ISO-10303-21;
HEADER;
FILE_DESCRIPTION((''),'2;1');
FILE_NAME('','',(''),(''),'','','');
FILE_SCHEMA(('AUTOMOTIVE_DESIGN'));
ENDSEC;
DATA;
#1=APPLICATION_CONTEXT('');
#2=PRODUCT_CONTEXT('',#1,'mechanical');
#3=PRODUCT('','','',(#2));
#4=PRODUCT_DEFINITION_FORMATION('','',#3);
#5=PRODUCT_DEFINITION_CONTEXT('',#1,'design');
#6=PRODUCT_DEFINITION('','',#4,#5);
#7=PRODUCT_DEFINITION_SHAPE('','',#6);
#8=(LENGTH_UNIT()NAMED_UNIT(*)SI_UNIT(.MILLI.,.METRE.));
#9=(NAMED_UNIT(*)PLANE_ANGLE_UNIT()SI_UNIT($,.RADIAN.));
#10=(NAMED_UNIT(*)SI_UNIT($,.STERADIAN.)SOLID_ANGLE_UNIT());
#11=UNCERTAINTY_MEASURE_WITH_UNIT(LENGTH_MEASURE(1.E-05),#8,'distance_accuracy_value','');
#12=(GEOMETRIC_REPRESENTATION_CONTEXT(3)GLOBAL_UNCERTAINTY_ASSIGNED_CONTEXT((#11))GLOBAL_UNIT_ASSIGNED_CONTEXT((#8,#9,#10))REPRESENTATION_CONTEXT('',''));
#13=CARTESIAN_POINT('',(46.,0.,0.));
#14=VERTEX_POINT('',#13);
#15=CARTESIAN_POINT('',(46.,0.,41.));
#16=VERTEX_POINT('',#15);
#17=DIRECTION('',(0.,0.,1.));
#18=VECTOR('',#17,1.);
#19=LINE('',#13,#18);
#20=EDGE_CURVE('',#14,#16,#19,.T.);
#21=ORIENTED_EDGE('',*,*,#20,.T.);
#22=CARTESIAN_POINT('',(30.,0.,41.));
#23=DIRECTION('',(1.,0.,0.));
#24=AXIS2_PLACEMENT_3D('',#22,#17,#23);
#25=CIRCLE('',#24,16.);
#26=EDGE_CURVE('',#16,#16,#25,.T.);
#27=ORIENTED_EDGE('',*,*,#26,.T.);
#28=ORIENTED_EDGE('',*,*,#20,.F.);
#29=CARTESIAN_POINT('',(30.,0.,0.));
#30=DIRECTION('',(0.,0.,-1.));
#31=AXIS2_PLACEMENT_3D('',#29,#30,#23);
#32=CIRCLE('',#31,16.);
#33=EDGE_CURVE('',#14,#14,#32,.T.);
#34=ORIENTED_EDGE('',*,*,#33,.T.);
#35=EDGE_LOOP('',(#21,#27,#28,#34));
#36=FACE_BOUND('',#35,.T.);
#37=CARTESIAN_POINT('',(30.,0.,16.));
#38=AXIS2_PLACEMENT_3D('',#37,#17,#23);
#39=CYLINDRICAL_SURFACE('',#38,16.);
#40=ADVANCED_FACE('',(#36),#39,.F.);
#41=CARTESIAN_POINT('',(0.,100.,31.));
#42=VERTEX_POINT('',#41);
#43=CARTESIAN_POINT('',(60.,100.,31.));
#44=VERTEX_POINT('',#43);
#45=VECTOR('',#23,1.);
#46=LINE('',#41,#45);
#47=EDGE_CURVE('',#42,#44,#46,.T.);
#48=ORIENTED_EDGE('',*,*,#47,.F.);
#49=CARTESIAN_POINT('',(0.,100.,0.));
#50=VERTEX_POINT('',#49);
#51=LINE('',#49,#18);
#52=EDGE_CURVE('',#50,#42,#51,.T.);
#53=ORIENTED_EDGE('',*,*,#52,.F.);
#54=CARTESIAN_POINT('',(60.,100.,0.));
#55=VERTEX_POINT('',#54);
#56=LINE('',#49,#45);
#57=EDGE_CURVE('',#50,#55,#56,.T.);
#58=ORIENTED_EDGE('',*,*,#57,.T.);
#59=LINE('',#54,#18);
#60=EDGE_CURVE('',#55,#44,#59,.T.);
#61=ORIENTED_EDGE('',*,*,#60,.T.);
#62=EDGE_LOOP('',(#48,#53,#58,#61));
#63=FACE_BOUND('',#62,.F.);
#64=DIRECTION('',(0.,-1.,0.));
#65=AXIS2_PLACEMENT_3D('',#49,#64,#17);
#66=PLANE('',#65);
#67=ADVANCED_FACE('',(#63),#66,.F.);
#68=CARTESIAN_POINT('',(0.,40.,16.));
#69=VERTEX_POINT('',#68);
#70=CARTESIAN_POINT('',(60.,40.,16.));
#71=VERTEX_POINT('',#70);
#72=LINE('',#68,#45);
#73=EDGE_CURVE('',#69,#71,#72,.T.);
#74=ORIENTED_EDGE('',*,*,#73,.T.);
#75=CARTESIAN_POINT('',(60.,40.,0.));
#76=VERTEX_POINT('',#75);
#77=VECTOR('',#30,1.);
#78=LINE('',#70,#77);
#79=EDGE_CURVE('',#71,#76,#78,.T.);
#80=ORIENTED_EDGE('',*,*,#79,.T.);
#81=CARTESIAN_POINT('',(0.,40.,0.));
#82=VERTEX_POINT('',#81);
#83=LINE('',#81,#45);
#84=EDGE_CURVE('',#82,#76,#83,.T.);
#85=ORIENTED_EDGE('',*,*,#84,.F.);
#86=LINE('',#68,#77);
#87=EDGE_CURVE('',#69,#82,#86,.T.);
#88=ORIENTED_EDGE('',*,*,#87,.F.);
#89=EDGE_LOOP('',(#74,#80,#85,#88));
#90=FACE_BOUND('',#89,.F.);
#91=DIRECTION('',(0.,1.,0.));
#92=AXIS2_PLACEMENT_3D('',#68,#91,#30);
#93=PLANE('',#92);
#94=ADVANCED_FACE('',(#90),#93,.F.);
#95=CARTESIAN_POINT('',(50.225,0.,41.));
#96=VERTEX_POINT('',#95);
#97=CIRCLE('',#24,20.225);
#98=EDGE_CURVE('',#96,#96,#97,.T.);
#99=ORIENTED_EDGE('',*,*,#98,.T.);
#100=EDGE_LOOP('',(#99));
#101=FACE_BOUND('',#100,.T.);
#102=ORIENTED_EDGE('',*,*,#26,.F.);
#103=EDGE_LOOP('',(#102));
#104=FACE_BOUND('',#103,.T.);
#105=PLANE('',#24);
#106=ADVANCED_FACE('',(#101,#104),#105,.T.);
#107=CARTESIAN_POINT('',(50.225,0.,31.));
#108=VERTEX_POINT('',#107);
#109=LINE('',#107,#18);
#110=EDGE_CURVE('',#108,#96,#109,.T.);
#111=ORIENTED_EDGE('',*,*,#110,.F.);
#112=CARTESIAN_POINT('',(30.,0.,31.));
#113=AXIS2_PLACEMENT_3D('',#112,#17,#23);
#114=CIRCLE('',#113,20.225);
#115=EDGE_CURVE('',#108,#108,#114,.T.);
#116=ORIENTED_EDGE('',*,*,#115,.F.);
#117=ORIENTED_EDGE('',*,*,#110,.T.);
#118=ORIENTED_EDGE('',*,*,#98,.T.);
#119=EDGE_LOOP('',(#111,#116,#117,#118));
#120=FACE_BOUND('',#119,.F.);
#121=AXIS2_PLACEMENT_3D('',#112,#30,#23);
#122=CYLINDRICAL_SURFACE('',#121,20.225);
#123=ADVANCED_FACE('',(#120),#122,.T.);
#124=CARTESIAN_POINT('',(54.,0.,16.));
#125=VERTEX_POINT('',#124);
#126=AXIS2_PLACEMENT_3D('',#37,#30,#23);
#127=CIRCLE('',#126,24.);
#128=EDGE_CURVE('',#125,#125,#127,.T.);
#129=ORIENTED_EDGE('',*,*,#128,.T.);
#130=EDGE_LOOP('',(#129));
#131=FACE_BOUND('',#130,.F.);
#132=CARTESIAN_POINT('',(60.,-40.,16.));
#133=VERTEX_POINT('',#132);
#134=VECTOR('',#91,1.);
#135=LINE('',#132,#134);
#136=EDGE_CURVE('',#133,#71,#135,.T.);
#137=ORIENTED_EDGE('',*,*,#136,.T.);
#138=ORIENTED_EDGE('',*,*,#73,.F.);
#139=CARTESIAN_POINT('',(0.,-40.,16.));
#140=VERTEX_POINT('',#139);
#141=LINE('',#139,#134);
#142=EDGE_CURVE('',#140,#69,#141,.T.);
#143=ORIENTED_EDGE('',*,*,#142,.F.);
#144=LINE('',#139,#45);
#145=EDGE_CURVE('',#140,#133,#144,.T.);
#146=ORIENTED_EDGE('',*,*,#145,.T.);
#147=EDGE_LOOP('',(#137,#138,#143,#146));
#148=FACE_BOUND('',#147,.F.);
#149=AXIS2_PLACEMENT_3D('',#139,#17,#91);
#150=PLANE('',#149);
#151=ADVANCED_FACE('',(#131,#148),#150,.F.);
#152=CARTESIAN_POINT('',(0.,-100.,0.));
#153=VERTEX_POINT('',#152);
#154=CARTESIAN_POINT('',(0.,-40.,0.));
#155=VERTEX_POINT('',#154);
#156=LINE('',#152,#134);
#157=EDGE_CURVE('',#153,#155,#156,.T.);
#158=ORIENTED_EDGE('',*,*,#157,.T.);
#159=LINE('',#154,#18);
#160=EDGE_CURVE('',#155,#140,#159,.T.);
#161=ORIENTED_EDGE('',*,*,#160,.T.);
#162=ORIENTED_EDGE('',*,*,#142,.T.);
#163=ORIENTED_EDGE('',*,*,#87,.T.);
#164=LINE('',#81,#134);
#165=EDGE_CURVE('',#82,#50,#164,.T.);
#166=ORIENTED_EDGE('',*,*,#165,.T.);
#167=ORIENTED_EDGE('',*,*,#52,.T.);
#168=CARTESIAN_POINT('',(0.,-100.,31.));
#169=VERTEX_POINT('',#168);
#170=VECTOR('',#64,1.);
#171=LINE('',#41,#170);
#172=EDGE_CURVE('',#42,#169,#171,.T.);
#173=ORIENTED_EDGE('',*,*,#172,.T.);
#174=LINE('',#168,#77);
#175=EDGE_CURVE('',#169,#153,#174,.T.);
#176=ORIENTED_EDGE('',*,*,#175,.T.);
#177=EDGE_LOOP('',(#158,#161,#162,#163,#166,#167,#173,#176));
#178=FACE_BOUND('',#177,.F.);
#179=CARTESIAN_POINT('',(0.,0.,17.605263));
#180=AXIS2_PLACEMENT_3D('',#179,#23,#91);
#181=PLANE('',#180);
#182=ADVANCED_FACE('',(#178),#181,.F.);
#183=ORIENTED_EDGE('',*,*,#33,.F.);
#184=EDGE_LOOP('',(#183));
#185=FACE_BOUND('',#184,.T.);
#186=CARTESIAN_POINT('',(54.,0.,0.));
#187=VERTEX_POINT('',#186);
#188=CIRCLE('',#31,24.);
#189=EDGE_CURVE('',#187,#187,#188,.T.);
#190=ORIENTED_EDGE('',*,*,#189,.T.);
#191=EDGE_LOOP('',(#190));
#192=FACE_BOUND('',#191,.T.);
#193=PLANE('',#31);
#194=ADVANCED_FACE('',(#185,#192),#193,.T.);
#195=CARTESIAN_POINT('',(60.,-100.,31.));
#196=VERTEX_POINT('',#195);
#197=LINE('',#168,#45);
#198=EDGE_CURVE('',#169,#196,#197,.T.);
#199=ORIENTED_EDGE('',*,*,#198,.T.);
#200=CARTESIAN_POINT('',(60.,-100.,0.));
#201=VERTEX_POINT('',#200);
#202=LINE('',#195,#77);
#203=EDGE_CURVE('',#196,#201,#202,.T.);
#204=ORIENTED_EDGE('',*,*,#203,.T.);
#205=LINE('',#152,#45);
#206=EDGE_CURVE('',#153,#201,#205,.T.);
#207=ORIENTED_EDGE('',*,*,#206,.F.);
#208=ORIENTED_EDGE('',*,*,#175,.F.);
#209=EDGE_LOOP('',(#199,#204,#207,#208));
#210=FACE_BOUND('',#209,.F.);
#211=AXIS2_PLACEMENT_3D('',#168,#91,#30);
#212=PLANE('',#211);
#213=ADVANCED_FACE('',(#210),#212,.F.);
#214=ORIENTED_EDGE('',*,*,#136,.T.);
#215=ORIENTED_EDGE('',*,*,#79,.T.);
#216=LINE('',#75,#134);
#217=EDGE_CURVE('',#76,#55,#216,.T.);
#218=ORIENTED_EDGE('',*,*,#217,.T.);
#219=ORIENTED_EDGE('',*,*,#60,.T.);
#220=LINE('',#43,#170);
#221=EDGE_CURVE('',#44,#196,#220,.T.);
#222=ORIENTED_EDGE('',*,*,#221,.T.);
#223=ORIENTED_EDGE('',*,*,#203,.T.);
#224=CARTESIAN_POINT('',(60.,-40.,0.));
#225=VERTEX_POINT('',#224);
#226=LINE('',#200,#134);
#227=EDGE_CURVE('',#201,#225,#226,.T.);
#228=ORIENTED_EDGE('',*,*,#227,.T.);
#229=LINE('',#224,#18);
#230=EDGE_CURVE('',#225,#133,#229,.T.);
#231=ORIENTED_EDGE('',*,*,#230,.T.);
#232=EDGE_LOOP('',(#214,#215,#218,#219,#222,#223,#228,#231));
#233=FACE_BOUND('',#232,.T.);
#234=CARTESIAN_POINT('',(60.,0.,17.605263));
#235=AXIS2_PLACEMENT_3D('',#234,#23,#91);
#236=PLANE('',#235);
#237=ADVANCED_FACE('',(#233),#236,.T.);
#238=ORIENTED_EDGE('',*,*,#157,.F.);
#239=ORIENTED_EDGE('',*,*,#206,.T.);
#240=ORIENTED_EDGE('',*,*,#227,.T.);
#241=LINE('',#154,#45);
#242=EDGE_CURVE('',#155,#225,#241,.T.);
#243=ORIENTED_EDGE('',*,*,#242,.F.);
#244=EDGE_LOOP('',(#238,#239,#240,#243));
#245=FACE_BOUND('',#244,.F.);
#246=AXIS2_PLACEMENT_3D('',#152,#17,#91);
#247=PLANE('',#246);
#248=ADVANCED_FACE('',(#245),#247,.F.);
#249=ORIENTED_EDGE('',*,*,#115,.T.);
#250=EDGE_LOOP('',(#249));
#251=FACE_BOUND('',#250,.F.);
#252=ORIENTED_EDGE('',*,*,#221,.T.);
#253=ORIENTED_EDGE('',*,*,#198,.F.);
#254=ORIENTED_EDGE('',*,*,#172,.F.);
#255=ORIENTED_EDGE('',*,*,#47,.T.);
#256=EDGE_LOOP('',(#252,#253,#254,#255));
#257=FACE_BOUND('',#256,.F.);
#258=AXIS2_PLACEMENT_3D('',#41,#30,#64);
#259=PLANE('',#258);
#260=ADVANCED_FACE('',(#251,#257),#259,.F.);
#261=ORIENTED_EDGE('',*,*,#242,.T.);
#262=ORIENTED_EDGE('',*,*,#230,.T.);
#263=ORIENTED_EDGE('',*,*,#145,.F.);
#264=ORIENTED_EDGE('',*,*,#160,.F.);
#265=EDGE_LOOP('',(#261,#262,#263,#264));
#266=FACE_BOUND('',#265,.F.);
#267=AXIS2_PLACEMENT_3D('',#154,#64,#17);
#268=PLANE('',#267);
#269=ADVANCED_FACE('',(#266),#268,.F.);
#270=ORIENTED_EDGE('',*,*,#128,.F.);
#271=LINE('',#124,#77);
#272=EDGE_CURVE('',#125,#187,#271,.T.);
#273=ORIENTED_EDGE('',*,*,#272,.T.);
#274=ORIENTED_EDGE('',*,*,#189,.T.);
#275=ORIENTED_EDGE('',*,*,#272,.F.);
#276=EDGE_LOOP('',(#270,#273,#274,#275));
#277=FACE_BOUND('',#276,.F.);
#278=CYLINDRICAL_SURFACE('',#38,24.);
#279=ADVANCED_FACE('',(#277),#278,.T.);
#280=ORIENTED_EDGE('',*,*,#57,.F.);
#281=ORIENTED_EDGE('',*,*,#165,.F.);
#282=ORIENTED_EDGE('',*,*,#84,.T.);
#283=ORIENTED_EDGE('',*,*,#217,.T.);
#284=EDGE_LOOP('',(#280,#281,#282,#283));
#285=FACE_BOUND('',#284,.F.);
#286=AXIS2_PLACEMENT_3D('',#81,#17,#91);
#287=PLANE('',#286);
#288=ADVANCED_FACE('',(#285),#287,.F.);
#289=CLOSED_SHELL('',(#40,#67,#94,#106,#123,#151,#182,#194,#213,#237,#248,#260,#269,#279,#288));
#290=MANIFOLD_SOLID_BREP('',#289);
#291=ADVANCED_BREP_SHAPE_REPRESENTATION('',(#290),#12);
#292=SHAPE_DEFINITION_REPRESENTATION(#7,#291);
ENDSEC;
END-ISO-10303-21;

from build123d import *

# Parameters (mm, degrees)
F1_DEPTH = 60
F2_R     = 16
F3_DEPTH = 25
F4_R     = 20.225
F4_R_2   = 16
F5_DEPTH = 10
F6_R     = 24
F6_R_2   = 16
F7_DEPTH = 16


with BuildPart() as f1:
    # F0 (on Right) → F1 (new body)
    with BuildSketch(Plane.YZ):
        Polygon((-100, 31), (-100, 0), (-40, 0), (-40, 16), (0, 16), (40, 16), (40, 0), (100, 0), (100, 31), align=None)
    extrude(amount=F1_DEPTH)

    # F2 (on face) → F3 (cut)
    with BuildSketch(Plane.XY.offset(31)):
        with Locations((30, 0)):
            Circle(F2_R)
    extrude(amount=-F3_DEPTH, mode=Mode.SUBTRACT)

    # F4 (on face) → F5 (join)
    with BuildSketch(Plane.XY.offset(31)):
        with Locations((30, 0)):
            Circle(F4_R)
        with Locations((30, 0)):
            Circle(F4_R_2, mode=Mode.SUBTRACT)
    extrude(amount=F5_DEPTH)

    # F6 (on face) → F7 (join)
    with BuildSketch(Plane(origin=(0, 0, 16), x_dir=(1, 0, 0), z_dir=(0, 0, -1))):
        with Locations((30, 0)):
            Circle(F6_R)
        with Locations((30, 0)):
            Circle(F6_R_2, mode=Mode.SUBTRACT)
    extrude(amount=F7_DEPTH)


solid = f1.part
